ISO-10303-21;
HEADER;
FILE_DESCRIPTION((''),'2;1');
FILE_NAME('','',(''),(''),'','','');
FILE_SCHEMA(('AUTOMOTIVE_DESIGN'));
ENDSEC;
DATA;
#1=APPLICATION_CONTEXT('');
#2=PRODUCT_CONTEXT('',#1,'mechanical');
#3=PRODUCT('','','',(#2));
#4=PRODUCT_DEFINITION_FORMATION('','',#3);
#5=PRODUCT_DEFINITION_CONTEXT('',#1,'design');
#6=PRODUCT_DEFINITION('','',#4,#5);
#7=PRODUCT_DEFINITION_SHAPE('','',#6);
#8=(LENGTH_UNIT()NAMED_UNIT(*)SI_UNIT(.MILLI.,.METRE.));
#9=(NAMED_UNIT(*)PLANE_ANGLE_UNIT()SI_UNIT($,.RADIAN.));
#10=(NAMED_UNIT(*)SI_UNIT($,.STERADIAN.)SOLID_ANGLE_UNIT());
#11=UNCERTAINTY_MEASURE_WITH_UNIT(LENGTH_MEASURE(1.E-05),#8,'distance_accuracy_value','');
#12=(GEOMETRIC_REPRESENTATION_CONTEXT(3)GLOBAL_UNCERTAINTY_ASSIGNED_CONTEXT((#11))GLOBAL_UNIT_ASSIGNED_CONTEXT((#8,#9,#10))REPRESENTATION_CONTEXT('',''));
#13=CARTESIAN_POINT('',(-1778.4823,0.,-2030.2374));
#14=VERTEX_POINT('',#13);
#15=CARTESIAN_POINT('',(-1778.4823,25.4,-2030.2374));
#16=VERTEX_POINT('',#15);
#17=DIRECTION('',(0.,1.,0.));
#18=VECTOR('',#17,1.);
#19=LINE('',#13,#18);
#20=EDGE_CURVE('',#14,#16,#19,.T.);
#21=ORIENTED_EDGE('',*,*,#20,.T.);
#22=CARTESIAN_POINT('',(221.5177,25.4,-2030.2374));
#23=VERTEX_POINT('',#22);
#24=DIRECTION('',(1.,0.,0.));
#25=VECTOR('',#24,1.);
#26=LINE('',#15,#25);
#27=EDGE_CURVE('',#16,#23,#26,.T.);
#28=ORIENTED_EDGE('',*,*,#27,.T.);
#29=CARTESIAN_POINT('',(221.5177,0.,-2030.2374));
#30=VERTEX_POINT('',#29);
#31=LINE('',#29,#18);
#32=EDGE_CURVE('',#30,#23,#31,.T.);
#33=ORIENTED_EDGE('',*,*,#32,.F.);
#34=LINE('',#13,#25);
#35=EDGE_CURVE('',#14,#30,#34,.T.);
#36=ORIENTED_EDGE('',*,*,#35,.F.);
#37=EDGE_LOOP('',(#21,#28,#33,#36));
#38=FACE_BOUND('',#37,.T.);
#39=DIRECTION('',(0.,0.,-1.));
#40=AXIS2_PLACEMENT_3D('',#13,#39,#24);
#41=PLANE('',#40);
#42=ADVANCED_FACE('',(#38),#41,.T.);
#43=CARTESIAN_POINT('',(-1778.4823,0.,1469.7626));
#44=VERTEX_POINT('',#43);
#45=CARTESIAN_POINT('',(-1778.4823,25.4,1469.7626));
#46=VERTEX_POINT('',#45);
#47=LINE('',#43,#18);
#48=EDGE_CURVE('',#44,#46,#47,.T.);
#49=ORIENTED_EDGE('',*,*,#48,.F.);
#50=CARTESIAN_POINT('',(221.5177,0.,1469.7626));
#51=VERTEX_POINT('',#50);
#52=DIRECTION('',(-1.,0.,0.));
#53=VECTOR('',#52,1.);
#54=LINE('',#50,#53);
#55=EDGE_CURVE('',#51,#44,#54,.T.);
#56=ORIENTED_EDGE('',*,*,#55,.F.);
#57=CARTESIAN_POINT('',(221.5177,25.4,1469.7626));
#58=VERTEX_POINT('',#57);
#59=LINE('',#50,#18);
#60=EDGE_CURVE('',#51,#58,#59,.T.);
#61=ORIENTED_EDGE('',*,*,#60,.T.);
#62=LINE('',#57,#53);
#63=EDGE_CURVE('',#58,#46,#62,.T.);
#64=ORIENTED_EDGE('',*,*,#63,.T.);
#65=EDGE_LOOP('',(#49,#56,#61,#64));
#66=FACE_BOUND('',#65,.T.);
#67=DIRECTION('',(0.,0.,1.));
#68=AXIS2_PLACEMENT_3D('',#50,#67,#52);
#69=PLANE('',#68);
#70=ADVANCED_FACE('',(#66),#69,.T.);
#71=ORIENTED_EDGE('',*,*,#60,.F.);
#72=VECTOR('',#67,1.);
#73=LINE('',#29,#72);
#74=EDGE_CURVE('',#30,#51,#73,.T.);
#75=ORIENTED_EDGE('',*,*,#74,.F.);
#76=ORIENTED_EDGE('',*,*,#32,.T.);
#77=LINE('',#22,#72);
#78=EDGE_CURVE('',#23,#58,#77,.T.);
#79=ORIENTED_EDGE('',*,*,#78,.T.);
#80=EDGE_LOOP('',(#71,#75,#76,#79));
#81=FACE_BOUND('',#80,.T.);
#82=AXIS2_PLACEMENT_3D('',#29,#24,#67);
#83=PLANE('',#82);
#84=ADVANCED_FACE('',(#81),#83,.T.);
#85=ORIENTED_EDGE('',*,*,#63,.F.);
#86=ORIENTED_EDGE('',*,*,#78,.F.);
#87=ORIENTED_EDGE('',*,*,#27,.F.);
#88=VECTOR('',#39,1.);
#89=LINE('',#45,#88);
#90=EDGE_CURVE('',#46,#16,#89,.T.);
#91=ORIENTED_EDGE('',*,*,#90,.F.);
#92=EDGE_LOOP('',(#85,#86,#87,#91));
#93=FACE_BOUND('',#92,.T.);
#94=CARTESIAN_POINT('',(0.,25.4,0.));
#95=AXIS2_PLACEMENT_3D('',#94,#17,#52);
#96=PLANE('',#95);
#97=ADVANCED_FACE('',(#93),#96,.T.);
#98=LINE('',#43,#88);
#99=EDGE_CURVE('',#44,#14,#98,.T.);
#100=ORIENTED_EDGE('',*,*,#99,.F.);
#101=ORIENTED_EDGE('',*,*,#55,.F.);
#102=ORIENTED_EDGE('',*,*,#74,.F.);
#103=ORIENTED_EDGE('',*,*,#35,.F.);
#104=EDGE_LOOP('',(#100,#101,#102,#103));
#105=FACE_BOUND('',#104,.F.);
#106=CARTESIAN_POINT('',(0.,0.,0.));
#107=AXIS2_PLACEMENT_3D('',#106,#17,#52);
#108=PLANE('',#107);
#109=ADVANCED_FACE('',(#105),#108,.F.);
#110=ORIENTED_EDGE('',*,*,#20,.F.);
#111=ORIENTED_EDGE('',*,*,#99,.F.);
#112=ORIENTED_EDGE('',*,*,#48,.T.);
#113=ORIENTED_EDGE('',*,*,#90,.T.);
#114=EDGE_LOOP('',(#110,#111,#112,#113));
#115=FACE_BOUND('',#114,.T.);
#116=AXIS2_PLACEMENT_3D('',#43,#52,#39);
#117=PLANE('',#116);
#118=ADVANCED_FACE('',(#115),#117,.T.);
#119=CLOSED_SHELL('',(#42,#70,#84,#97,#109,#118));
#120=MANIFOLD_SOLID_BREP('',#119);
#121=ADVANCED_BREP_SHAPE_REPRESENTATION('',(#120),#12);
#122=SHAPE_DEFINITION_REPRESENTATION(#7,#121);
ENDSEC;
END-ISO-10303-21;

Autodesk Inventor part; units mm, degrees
ref_plane "YZ Plane" through (0, 0, 0) normal (1, 0, 0) x (0, 1, 0)
ref_plane "XZ Plane" through (0, 0, 0) normal (0, 1, 0) x (-1, 0, 0)
ref_plane "XY Plane" through (0, 0, 0) normal (0, 0, 1) x (1, 0, 0)
sketch "Sketch1" plane through (0, 0, 0) normal (0, 1, 0) x (-1, 0, 0)
  line L0 (1778.4823, -2030.2374) -> (-221.5177, -2030.2374)
  line L1 (-221.5177, -2030.2374) -> (-221.5177, 1469.7626)
  line L2 (-221.5177, 1469.7626) -> (1778.4823, 1469.7626)
  line L3 (1778.4823, 1469.7626) -> (1778.4823, -2030.2374)
  point P0 (0, 0)
  dimension "d0" = 2000
  dimension "d1" = 3500
extrude "Extrusion1" add sketch "Sketch1" along normal blind 25.4
properties part number "piso"
